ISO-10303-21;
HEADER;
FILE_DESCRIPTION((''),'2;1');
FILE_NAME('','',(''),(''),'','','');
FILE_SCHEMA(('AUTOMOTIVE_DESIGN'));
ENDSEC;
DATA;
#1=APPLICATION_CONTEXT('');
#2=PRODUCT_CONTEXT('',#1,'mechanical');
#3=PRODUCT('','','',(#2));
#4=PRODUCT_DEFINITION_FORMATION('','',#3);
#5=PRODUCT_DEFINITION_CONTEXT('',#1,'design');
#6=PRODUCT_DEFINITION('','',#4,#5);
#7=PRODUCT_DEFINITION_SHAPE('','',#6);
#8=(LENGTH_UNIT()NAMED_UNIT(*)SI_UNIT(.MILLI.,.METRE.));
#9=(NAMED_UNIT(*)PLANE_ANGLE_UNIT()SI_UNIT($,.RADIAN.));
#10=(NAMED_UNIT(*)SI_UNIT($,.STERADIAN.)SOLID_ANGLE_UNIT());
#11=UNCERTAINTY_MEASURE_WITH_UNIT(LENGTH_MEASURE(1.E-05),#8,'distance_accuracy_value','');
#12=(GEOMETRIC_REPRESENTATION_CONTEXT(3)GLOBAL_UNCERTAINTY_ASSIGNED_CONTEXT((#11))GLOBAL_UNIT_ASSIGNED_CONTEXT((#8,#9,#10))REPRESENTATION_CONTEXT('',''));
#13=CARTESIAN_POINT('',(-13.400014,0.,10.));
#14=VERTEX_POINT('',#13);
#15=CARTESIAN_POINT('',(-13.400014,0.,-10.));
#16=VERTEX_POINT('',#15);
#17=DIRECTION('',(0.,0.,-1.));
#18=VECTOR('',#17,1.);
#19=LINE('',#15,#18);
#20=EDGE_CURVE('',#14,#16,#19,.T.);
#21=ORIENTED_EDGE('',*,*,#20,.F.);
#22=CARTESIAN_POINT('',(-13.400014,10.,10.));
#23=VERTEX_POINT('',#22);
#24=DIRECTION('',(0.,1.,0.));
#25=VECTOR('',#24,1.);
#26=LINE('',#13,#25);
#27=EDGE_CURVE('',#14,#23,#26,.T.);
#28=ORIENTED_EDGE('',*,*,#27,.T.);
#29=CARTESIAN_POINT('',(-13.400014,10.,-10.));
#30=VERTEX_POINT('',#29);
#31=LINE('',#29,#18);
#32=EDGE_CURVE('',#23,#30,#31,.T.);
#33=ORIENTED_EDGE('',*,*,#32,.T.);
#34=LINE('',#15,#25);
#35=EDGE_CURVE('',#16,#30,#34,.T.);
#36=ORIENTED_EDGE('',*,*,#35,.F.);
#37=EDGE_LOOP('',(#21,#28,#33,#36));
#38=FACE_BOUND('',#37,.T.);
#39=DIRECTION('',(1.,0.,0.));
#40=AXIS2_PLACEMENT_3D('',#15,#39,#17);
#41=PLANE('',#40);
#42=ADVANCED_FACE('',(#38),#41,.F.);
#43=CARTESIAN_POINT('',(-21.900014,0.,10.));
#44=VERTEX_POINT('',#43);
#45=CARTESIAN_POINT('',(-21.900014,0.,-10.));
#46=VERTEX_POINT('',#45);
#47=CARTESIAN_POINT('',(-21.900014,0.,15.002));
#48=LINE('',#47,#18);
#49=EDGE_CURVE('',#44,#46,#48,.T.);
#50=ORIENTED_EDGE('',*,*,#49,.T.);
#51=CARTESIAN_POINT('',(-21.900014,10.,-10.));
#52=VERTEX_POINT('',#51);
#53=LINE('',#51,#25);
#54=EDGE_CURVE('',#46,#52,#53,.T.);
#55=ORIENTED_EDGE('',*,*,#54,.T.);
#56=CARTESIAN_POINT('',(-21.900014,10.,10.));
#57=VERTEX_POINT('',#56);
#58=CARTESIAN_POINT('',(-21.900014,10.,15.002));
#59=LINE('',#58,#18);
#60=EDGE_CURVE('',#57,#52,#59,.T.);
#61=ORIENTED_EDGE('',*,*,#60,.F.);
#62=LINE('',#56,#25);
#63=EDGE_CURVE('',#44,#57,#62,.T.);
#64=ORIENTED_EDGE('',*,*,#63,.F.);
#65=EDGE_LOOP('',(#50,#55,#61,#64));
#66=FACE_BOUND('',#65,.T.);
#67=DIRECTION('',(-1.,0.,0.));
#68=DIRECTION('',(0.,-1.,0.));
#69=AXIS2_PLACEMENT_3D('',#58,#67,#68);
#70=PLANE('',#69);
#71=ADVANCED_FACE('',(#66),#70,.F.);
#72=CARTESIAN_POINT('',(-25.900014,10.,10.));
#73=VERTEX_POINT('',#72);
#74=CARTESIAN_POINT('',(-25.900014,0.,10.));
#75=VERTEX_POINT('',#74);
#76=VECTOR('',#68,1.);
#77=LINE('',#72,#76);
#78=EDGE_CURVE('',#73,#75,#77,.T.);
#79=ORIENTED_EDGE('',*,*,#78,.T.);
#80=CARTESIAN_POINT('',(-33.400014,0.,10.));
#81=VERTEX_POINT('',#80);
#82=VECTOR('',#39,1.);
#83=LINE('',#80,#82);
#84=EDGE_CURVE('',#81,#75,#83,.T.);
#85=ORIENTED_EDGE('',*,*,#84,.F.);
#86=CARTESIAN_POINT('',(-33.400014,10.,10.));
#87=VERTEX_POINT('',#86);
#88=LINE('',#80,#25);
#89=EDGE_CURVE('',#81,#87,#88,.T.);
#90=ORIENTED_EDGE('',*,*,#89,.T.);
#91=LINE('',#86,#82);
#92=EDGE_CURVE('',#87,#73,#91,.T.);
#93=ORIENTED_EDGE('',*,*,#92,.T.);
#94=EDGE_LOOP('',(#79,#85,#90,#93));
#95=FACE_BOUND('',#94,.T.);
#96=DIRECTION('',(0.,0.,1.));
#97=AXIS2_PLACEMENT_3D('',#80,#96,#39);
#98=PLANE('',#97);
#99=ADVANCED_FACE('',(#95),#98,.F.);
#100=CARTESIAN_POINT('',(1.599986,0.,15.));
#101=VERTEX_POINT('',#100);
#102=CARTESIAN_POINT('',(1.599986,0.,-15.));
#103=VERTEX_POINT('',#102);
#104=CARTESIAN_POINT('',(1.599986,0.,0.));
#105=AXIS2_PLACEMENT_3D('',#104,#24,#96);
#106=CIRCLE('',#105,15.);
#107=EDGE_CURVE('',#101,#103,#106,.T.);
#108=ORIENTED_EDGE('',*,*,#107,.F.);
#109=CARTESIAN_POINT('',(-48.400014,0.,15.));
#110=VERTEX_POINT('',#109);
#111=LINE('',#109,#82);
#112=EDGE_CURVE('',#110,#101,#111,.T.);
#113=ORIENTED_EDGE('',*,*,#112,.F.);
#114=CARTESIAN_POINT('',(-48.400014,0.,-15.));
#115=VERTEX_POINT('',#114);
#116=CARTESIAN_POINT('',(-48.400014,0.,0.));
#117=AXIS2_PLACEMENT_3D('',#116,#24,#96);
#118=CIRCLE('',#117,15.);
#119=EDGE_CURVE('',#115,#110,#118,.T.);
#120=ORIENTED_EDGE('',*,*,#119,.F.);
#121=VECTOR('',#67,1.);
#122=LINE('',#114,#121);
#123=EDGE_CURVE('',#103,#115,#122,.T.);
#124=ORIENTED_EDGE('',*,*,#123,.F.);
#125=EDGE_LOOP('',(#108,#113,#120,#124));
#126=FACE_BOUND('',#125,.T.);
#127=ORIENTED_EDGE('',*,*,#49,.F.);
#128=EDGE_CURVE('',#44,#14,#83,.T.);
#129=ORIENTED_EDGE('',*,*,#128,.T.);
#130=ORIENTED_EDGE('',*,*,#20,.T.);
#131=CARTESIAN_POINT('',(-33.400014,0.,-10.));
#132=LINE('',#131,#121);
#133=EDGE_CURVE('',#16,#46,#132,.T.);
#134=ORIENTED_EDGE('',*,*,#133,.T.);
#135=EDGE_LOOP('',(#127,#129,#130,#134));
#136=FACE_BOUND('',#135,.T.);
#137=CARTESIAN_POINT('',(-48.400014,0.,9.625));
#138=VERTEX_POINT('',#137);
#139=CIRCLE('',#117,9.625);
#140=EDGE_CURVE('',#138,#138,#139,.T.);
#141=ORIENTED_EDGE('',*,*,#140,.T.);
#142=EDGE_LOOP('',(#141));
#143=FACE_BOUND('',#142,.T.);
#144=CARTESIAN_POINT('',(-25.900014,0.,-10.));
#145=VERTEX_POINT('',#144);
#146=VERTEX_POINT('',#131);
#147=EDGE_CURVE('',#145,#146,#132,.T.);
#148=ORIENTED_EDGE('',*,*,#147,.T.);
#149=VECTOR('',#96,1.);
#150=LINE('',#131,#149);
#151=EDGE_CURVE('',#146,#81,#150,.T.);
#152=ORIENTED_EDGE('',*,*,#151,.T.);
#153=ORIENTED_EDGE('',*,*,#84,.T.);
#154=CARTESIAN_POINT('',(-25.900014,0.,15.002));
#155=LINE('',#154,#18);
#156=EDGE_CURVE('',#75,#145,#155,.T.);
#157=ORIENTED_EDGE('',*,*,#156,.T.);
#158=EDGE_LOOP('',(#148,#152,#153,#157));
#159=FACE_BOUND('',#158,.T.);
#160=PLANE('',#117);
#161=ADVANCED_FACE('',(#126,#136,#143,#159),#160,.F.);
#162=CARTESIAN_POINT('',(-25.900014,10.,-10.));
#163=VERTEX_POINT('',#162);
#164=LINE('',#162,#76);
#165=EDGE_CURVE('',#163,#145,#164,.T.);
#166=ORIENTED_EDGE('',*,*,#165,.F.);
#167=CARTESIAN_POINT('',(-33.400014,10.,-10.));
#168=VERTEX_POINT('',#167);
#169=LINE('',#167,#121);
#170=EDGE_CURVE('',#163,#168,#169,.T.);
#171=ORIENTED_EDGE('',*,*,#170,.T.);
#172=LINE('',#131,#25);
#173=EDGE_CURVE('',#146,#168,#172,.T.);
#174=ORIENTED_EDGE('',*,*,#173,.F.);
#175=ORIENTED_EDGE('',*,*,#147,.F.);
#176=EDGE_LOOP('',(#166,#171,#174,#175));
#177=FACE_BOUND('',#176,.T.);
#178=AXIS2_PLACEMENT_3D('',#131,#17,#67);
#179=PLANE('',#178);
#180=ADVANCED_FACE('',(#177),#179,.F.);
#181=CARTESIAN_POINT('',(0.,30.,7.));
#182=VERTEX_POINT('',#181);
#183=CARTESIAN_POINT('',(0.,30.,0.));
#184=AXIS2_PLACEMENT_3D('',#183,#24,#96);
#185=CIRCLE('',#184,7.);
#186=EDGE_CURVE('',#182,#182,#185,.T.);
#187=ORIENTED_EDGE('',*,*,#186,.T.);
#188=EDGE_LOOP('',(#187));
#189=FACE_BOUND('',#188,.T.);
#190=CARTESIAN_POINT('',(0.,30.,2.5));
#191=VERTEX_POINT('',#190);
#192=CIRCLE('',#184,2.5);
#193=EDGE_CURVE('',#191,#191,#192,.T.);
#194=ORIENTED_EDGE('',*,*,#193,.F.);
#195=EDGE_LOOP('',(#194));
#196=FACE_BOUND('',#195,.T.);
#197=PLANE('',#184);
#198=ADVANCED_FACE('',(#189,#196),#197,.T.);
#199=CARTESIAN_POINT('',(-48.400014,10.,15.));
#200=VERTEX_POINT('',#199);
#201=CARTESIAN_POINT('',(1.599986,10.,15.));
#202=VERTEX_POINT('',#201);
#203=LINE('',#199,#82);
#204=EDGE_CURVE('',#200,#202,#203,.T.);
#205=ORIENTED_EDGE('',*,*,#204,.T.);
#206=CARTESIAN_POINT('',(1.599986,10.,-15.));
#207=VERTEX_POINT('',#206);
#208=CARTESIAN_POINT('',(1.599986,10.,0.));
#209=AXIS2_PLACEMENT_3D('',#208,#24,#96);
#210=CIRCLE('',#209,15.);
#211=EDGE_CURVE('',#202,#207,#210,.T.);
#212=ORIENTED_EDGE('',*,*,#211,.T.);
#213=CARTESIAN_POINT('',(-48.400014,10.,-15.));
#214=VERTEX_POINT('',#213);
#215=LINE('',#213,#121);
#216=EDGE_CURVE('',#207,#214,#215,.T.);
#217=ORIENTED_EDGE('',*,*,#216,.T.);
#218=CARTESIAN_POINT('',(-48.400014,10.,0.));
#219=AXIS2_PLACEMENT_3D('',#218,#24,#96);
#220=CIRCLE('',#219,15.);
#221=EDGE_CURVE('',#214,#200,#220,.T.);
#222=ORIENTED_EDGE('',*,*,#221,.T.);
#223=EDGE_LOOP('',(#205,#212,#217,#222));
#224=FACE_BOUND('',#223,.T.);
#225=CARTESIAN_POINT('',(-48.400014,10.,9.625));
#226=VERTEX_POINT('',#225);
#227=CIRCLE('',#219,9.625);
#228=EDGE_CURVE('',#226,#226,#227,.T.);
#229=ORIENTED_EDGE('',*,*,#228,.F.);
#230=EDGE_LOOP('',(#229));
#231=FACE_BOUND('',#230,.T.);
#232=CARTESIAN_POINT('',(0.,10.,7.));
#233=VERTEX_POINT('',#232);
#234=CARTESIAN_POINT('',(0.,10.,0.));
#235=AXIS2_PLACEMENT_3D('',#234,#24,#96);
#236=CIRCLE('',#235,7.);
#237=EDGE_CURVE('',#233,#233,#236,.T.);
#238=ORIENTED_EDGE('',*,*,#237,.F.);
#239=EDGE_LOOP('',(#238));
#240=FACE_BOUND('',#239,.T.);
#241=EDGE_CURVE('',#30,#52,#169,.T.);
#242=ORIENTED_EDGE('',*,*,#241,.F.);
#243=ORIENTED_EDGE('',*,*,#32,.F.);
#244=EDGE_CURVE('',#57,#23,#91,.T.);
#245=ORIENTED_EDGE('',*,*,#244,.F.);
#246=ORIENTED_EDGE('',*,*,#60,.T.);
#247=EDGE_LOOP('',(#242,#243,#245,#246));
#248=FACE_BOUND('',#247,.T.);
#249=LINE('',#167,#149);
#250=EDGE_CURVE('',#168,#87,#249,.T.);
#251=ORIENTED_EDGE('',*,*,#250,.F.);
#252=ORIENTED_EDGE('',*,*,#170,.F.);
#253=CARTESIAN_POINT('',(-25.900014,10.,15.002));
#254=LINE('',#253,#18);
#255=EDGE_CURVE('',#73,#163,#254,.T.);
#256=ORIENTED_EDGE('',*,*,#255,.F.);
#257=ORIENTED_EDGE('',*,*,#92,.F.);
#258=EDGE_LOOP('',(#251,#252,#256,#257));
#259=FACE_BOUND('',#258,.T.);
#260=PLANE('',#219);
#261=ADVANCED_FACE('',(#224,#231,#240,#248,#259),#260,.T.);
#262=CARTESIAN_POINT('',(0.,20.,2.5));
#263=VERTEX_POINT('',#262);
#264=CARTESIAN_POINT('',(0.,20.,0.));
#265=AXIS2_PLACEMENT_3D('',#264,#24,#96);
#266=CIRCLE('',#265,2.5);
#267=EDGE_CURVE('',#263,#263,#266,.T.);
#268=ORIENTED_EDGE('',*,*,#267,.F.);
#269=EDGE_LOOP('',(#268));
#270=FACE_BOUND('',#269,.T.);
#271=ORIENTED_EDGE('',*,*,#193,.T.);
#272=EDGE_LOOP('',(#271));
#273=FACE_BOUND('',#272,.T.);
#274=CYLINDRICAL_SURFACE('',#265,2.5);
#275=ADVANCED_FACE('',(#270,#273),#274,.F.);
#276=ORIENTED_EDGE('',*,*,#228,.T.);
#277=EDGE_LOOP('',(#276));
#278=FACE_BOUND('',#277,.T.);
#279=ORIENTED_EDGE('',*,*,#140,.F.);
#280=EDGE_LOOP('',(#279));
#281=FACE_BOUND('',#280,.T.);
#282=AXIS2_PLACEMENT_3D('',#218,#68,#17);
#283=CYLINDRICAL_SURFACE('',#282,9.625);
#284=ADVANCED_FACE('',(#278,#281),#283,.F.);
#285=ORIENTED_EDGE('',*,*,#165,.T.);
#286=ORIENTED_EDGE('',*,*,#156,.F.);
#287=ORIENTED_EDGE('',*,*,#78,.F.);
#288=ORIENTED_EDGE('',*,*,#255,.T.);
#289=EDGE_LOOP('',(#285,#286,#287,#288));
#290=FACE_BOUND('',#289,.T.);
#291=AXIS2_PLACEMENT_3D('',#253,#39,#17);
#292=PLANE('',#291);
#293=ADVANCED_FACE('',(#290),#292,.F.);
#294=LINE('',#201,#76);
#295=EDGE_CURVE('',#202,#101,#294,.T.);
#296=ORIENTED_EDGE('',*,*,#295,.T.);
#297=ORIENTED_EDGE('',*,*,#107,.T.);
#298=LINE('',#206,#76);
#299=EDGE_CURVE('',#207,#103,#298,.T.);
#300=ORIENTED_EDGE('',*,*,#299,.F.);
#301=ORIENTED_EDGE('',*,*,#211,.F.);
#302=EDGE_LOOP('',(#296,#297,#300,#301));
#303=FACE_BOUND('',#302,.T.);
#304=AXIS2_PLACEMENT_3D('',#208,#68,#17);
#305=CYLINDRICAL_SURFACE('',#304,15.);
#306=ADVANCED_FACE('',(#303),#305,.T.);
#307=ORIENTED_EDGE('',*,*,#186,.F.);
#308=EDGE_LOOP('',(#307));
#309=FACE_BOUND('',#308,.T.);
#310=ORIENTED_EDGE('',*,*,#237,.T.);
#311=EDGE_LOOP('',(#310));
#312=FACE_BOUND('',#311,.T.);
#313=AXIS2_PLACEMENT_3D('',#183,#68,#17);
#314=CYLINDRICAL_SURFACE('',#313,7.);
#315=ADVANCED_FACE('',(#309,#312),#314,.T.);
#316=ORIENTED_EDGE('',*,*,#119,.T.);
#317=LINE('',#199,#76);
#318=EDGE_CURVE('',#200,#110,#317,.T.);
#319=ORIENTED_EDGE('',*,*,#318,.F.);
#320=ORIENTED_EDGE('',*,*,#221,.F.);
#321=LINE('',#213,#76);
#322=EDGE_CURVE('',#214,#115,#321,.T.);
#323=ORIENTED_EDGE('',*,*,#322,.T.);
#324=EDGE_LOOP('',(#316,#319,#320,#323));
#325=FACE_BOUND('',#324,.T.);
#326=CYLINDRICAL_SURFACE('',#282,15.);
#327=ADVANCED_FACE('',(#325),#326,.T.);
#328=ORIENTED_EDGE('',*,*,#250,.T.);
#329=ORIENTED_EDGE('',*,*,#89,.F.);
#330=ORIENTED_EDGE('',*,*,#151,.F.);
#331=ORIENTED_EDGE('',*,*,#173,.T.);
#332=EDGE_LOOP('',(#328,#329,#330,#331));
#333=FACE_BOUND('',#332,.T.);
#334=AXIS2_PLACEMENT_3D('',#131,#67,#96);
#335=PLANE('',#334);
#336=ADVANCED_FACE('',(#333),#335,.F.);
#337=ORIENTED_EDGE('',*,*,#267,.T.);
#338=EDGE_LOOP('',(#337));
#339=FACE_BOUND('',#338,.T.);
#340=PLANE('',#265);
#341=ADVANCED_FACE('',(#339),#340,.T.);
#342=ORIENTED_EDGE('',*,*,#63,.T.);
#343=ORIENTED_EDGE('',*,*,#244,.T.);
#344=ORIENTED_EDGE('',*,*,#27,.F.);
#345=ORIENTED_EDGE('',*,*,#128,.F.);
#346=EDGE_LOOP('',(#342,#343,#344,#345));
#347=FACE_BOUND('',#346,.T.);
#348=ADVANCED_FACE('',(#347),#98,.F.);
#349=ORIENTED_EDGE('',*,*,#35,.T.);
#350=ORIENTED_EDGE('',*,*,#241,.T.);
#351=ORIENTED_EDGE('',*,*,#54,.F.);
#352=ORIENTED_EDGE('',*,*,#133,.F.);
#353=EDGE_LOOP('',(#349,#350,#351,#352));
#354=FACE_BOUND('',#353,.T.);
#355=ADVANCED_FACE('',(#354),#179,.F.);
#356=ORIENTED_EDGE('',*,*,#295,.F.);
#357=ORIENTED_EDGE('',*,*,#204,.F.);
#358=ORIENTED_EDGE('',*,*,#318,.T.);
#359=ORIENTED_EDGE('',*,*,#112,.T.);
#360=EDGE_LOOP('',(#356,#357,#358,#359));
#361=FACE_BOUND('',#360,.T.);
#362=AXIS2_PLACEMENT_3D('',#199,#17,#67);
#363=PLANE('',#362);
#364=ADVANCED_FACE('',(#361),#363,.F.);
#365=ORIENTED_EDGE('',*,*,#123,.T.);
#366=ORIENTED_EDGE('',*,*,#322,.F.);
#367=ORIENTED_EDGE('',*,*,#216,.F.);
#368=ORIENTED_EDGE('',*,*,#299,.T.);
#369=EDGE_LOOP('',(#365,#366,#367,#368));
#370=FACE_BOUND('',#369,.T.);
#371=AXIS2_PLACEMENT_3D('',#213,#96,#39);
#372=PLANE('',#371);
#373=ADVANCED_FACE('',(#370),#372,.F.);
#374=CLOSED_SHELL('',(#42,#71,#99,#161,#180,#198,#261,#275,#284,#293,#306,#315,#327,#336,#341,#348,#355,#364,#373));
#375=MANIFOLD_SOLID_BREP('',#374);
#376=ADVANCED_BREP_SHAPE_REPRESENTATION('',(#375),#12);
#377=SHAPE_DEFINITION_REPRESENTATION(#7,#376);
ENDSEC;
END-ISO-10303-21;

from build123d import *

# Parameters (mm, degrees)
SKETCH1_R           = 9.625
BOSS_EXTRUDE1_DEPTH = 10
SKETCH2_W           = 20
SKETCH2_H           = 20
CUT_EXTRUDE1_DEPTH  = 66.913290189
BOSS_EXTRUDE2_REACH = 70.881
SKETCH4_W           = 4
SKETCH4_H           = 10
SKETCH5_R           = 7
BOSS_EXTRUDE3_DEPTH = 20
SKETCH8_R           = 2.5
CUT_EXTRUDE2_DEPTH  = 10


with BuildPart() as part:
    # Sketch1 → Boss-Extrude1 (new body)
    with BuildSketch(Plane(origin=(0, 0, 0), x_dir=(1, 0, 0), z_dir=(0, 1, 0))):
        with BuildLine():
            Line((-48.400014381, 15), (1.599985619, 15))
            ThreePointArc((1.599985619, 15), (16.599985619, 0), (1.599985619, -15))
            Line((1.599985619, -15), (-48.400014381, -15))
            ThreePointArc((-48.400014381, -15), (-63.400014381, 0), (-48.400014381, 15))
        make_face()
        with Locations(Location((-48.400014381, 0, 0), (0, 0, 270))):
            Circle(SKETCH1_R, mode=Mode.SUBTRACT)
    extrude(amount=BOSS_EXTRUDE1_DEPTH)

    # Sketch2 → Cut-Extrude1 (cut, through all)
    with BuildSketch(Plane(origin=(0, 10, 0), x_dir=(1, 0, 0), z_dir=(0, 1, 0))):
        with Locations((-23.400014381, 0)):
            Rectangle(SKETCH2_W, SKETCH2_H)
    extrude(amount=-CUT_EXTRUDE1_DEPTH, mode=Mode.SUBTRACT)

    # Sketch4 → Boss-Extrude2 (add, up to next)
    with BuildSketch(Plane.XY.offset(-10), mode=Mode.PRIVATE) as boss_extrude2_sk1:
        with Locations((-23.900014381, 5)):
            Rectangle(SKETCH4_W, SKETCH4_H)
    boss_extrude2_tool1 = extrude(boss_extrude2_sk1.sketch, amount=BOSS_EXTRUDE2_REACH, mode=Mode.PRIVATE) - part.part
    add(boss_extrude2_tool1.solids().sort_by_distance((-23.900014, 5, -10))[0])

    # Sketch5 → Boss-Extrude3 (add)
    with BuildSketch(Plane(origin=(0, 10, 0), x_dir=(1, 0, 0), z_dir=(0, 1, 0))):
        with Locations(Location((0, 0, 0), (0, 0, 270))):
            Circle(SKETCH5_R)
    extrude(amount=BOSS_EXTRUDE3_DEPTH)

    # Sketch8 → Cut-Extrude2 (cut)
    with BuildSketch(Plane(origin=(0, 30, 0), x_dir=(1, 0, 0), z_dir=(0, 1, 0))):
        with Locations(Location((0, 0, 0), (0, 0, 270))):
            Circle(SKETCH8_R)
    extrude(amount=-CUT_EXTRUDE2_DEPTH, mode=Mode.SUBTRACT)


solid = part.part
